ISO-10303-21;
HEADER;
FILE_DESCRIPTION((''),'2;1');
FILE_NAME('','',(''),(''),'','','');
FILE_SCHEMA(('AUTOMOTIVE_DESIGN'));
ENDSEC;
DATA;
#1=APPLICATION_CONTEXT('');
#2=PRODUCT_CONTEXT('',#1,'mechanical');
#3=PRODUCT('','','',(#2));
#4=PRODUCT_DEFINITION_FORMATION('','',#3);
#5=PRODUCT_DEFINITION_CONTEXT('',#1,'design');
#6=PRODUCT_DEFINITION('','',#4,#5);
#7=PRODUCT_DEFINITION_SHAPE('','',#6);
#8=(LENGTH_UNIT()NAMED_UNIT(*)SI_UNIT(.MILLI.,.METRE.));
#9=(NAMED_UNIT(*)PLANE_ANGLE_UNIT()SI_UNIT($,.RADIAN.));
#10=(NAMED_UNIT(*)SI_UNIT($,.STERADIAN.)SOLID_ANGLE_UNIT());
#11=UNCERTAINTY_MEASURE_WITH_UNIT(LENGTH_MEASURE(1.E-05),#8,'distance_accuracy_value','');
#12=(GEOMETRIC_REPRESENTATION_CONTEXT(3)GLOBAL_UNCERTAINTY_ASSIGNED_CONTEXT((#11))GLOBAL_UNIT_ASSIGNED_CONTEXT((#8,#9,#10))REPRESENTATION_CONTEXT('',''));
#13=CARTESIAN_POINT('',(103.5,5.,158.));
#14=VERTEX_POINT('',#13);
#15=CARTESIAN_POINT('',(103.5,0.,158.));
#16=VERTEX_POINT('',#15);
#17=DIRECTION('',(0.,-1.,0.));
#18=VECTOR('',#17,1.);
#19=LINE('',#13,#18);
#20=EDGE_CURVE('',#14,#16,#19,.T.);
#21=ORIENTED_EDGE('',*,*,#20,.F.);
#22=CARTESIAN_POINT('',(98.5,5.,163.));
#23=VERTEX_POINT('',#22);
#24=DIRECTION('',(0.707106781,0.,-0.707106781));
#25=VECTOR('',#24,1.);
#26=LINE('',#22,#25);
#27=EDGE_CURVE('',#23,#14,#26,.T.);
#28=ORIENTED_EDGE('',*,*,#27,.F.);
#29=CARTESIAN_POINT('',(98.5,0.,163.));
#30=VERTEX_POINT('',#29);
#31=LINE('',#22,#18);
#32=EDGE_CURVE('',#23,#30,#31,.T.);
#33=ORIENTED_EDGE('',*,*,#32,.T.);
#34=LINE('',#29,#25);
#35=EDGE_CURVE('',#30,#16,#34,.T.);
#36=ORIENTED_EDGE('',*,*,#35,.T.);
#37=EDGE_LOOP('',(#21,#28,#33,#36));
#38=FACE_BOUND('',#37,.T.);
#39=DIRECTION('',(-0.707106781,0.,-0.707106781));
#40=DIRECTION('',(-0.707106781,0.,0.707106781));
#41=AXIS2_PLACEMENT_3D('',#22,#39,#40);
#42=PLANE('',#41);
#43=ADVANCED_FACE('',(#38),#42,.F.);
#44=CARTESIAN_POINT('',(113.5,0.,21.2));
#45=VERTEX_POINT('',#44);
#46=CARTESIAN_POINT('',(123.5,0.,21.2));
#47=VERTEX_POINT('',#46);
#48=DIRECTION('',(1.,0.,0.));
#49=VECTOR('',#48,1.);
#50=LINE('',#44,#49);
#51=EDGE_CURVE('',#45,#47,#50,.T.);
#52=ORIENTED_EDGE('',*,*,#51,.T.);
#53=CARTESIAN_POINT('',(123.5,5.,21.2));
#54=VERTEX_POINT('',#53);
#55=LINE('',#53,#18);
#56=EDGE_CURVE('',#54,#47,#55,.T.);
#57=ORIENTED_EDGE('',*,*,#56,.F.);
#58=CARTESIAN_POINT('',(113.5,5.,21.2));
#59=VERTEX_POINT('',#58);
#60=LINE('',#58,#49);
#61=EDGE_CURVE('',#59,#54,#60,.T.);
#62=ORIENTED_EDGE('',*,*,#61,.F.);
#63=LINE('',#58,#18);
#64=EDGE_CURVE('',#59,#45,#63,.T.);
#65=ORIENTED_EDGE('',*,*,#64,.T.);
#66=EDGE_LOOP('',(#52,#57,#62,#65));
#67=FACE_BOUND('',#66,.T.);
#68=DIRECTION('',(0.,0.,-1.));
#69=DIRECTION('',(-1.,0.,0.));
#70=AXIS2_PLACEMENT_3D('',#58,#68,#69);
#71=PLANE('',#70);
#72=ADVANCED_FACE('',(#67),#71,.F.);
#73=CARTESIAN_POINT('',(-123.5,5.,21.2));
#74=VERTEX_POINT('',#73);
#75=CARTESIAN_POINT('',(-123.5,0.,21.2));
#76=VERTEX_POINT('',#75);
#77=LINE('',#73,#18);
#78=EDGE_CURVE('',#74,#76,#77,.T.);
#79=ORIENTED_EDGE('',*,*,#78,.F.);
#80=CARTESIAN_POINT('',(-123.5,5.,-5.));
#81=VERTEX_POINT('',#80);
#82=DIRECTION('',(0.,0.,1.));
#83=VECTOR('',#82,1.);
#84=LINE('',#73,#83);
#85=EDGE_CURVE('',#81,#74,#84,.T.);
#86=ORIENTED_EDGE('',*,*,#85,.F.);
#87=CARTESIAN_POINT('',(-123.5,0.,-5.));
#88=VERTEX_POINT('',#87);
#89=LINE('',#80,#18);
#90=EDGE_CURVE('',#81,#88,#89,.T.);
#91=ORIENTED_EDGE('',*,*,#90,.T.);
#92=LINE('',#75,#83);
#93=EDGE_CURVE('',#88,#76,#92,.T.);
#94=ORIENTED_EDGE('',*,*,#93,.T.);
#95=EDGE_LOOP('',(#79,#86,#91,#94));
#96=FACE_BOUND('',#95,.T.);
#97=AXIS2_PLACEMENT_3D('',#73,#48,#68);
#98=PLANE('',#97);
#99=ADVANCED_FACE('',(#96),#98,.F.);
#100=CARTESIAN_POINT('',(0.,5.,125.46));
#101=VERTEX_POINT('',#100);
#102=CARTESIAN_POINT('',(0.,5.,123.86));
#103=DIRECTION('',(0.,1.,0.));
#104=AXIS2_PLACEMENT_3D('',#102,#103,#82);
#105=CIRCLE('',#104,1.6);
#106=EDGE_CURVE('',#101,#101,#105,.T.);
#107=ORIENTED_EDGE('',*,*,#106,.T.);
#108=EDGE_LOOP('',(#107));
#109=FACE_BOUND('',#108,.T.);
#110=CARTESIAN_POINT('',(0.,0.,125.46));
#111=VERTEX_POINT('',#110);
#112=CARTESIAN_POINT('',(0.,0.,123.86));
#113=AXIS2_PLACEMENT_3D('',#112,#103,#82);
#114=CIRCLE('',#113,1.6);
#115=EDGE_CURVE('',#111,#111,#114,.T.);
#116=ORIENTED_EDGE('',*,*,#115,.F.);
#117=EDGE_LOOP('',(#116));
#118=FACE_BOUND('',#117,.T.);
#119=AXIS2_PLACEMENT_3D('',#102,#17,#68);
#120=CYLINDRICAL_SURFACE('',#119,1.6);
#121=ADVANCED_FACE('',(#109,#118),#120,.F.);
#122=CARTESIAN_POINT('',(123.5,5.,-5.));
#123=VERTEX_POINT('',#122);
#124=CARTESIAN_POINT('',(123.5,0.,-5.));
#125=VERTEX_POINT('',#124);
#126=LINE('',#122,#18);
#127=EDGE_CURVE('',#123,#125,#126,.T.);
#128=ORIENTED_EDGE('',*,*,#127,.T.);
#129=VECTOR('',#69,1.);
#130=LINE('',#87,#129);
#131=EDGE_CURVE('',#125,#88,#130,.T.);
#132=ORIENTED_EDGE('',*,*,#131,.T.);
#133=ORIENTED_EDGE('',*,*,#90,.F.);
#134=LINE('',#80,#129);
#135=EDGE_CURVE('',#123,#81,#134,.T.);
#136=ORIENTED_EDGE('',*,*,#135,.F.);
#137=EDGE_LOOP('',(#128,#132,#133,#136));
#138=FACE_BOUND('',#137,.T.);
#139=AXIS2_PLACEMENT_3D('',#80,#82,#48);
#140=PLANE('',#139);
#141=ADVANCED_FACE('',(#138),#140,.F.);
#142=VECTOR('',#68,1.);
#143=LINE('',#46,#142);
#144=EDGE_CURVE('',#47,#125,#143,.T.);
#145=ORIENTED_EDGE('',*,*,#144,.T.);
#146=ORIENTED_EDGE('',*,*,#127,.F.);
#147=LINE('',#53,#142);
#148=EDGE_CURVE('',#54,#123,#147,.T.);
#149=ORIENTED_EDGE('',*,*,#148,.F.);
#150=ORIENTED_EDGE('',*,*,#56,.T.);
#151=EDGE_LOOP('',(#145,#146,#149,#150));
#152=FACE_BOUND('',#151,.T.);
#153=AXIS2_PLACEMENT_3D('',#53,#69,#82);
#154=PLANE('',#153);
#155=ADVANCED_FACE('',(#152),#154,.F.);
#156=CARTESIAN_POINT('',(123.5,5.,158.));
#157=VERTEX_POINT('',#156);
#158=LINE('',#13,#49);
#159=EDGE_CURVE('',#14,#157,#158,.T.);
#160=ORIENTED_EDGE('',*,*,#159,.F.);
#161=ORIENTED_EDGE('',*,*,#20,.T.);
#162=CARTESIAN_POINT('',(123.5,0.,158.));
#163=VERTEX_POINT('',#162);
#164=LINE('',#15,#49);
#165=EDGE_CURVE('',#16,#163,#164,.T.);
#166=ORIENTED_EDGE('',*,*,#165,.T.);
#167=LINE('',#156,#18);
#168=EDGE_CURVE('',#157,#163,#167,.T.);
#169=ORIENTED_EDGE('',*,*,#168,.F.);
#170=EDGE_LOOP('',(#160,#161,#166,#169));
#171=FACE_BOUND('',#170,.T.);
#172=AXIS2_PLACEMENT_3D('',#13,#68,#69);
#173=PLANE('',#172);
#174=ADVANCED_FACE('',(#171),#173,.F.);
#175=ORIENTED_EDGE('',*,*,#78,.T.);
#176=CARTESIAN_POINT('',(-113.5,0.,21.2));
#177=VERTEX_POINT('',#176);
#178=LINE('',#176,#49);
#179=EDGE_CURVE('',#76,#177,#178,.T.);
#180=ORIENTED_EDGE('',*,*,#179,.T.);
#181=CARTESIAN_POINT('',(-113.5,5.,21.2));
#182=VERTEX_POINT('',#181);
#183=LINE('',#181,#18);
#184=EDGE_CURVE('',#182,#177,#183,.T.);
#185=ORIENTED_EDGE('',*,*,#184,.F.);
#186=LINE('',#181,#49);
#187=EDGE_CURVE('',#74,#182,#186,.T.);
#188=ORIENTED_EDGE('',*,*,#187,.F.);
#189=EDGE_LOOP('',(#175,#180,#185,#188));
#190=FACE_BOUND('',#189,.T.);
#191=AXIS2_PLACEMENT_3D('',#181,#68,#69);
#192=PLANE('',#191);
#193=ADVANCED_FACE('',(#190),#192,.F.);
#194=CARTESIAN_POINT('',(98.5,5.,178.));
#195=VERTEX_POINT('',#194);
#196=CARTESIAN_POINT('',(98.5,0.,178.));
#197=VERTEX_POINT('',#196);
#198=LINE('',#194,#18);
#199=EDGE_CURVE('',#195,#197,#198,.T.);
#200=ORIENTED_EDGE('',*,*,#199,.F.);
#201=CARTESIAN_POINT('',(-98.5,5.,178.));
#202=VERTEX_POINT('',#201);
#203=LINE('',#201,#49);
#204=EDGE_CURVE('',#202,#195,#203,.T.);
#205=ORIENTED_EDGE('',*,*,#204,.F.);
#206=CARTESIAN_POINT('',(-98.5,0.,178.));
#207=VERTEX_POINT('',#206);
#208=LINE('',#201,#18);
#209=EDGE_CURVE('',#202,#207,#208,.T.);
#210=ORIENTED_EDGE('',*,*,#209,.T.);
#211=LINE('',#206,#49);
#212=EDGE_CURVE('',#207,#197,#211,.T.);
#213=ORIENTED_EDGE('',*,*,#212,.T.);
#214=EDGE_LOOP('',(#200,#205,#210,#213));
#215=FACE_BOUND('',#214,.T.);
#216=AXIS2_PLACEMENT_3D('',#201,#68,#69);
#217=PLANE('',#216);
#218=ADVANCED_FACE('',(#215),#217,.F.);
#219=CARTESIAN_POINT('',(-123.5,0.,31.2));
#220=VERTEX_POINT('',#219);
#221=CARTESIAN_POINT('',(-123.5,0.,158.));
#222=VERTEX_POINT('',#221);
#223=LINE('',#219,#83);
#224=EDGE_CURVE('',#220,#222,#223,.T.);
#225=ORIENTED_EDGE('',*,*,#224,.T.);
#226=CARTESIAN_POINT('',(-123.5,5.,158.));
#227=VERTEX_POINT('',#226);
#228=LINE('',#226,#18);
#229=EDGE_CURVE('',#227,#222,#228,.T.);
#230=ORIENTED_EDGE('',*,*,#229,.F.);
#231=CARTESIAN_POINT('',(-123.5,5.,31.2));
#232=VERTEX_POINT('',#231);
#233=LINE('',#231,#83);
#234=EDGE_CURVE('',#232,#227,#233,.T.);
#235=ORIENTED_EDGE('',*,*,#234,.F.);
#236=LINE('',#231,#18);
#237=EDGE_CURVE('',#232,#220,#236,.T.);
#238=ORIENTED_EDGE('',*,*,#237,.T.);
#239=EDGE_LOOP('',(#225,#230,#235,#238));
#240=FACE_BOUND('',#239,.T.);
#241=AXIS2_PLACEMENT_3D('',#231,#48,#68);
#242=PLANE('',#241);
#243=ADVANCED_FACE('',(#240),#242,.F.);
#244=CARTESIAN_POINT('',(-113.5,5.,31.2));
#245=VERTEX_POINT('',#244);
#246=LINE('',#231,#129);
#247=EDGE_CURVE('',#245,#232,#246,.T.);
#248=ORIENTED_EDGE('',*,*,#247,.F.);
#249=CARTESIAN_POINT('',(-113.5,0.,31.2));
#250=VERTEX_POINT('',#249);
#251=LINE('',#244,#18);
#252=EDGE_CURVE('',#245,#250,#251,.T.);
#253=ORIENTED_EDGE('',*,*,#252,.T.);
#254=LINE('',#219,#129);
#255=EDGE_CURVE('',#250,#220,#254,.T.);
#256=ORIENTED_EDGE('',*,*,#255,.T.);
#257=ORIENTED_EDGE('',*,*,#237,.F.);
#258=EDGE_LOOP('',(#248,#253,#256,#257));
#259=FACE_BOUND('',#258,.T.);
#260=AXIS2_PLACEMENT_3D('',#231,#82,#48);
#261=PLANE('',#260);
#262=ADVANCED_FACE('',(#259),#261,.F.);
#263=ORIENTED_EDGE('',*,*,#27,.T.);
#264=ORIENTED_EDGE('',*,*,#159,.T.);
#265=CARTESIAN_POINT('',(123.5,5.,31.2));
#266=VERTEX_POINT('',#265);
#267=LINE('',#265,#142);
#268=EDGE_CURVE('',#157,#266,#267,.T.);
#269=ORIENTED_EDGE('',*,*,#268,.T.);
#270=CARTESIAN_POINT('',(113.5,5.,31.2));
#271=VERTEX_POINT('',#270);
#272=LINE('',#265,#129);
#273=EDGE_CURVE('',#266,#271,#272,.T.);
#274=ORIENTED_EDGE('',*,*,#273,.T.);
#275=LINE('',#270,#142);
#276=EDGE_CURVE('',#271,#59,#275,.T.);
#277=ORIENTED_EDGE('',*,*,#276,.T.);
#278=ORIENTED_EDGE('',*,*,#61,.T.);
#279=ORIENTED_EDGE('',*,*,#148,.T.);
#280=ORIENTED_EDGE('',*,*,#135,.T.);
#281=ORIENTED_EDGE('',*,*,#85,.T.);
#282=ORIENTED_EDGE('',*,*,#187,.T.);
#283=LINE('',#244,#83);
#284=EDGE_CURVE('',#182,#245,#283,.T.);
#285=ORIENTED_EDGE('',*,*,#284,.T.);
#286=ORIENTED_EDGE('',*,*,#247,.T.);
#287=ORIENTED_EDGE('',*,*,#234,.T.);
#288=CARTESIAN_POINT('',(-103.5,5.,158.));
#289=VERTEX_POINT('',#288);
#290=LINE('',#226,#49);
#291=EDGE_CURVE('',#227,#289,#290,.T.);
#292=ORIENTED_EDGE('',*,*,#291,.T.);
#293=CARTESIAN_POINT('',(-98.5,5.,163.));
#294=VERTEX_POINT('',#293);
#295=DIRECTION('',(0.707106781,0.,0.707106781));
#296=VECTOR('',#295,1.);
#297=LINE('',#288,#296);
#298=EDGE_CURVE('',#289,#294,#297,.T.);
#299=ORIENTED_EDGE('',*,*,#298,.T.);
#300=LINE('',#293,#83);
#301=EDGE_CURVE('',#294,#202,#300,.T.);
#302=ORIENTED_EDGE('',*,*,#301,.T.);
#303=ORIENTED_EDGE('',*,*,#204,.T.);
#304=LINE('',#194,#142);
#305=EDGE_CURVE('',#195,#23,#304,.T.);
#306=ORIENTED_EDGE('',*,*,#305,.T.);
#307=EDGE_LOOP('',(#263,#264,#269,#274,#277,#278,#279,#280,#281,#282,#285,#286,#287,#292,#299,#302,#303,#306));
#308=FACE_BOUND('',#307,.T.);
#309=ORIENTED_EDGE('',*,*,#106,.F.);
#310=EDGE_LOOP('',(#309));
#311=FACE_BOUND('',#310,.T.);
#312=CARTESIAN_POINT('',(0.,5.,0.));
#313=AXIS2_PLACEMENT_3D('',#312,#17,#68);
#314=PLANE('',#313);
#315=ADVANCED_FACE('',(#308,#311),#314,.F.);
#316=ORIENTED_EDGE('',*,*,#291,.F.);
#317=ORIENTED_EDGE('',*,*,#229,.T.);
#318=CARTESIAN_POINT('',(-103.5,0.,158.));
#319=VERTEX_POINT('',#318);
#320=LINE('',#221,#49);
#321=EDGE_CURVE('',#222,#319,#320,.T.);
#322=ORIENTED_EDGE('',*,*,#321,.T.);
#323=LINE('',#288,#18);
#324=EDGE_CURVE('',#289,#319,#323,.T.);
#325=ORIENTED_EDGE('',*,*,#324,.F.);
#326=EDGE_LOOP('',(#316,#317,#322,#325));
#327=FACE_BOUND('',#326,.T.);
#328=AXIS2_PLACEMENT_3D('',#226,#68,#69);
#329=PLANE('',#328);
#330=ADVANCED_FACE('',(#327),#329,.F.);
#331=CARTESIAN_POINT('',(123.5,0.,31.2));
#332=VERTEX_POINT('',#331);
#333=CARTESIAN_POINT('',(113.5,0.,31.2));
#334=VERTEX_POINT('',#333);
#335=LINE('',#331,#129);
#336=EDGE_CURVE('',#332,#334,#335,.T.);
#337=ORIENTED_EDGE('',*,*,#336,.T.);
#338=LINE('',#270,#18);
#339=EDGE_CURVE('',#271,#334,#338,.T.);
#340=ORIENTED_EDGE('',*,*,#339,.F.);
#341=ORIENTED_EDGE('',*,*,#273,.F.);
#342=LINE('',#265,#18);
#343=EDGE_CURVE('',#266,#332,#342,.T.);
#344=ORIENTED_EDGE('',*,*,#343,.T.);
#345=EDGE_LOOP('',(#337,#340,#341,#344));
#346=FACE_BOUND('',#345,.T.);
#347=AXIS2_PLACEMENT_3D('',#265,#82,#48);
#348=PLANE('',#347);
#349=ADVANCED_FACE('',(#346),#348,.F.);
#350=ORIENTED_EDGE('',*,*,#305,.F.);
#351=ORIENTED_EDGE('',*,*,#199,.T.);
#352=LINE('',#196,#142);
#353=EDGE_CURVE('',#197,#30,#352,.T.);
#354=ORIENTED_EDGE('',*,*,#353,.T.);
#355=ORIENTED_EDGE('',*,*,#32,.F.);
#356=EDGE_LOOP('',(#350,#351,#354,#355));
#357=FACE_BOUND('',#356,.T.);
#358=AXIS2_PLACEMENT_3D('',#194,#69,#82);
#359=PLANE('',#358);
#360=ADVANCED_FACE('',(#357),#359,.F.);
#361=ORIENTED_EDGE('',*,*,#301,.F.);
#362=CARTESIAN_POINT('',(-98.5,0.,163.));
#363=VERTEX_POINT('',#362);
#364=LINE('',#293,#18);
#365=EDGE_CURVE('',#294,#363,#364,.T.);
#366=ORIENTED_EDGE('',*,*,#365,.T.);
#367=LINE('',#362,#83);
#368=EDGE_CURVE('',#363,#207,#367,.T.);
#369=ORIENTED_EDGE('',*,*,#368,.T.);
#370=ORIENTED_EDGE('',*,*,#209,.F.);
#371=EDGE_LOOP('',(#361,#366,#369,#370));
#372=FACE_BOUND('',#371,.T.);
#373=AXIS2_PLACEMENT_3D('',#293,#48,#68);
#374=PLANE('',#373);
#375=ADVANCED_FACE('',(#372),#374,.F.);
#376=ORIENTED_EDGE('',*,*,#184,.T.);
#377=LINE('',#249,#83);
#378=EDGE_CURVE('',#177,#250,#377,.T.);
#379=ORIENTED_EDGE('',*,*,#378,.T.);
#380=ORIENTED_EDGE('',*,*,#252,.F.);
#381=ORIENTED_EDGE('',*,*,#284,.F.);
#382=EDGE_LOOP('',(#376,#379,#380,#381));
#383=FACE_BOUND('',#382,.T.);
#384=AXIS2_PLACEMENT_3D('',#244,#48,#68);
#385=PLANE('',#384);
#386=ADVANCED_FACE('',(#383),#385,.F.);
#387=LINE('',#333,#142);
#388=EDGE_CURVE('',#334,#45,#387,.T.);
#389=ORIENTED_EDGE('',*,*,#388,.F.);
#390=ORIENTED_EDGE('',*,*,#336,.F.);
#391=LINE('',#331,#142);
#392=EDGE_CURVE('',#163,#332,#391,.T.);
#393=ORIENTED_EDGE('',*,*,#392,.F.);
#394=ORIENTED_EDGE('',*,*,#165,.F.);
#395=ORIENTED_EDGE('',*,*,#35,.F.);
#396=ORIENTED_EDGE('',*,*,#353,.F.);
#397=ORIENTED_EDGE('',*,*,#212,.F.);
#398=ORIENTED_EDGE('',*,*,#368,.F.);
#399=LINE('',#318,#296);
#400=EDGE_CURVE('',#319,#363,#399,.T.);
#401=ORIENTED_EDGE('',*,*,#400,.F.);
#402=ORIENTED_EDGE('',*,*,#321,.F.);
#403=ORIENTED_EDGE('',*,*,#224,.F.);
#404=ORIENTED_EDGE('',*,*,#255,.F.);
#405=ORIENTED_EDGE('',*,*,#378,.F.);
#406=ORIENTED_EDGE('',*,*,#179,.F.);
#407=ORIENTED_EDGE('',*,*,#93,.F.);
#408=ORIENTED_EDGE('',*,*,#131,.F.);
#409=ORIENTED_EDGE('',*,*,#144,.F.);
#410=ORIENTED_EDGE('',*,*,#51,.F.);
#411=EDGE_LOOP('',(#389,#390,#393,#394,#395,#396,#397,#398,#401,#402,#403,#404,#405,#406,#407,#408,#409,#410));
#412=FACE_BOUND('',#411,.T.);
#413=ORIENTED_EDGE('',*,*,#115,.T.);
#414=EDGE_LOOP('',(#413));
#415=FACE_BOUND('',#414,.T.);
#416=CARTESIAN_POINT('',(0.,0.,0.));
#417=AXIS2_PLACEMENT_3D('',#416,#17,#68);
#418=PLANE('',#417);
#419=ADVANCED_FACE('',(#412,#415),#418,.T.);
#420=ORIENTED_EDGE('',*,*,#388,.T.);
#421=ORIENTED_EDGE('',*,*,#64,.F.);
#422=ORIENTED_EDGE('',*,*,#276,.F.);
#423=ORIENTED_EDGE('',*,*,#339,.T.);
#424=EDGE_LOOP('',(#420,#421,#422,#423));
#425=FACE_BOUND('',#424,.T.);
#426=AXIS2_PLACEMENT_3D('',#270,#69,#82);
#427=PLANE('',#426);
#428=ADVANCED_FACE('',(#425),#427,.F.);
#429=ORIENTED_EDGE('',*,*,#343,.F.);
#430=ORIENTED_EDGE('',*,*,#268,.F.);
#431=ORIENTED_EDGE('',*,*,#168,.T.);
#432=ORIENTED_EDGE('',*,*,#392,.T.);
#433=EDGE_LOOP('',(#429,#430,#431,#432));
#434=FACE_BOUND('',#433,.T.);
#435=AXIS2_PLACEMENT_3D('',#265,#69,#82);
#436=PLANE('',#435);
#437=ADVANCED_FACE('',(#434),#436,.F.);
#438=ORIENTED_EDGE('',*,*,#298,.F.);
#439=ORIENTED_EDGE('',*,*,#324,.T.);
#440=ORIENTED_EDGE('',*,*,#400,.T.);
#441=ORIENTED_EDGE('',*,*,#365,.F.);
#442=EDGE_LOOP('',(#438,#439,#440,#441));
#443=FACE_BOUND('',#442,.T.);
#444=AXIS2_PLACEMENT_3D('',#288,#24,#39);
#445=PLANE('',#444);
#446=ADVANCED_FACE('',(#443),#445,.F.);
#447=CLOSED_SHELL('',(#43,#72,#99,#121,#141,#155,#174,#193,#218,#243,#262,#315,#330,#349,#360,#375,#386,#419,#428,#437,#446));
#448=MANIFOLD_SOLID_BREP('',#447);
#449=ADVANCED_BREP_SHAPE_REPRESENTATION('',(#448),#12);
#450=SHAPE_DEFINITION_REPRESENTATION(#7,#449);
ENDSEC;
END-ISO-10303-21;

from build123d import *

# Parameters (mm, degrees)
ESQUISSE1_R        = 1.6
BOSS_EXTRU_1_DEPTH = 5


with BuildPart() as part:
    # Esquisse1 → Boss.-Extru.1 (new body)
    with BuildSketch(Plane(origin=(0, 0, 0), x_dir=(1, 0, 0), z_dir=(0, 1, 0))):
        Polygon((-123.5, 5), (123.5, 5), (123.5, -21.2), (113.5, -21.2), (113.5, -31.2), (123.5, -31.2), (123.5, -158), (103.5, -158), (98.5, -163), (98.5, -178), (-98.5, -178), (-98.5, -163), (-103.5, -158), (-123.5, -158), (-123.5, -31.2), (-113.5, -31.2), (-113.5, -21.2), (-123.5, -21.2), align=None)
        with Locations(Location((0, -123.86, 0), (0, 0, 270))):
            Circle(ESQUISSE1_R, mode=Mode.SUBTRACT)
    extrude(amount=BOSS_EXTRU_1_DEPTH)


solid = part.part
